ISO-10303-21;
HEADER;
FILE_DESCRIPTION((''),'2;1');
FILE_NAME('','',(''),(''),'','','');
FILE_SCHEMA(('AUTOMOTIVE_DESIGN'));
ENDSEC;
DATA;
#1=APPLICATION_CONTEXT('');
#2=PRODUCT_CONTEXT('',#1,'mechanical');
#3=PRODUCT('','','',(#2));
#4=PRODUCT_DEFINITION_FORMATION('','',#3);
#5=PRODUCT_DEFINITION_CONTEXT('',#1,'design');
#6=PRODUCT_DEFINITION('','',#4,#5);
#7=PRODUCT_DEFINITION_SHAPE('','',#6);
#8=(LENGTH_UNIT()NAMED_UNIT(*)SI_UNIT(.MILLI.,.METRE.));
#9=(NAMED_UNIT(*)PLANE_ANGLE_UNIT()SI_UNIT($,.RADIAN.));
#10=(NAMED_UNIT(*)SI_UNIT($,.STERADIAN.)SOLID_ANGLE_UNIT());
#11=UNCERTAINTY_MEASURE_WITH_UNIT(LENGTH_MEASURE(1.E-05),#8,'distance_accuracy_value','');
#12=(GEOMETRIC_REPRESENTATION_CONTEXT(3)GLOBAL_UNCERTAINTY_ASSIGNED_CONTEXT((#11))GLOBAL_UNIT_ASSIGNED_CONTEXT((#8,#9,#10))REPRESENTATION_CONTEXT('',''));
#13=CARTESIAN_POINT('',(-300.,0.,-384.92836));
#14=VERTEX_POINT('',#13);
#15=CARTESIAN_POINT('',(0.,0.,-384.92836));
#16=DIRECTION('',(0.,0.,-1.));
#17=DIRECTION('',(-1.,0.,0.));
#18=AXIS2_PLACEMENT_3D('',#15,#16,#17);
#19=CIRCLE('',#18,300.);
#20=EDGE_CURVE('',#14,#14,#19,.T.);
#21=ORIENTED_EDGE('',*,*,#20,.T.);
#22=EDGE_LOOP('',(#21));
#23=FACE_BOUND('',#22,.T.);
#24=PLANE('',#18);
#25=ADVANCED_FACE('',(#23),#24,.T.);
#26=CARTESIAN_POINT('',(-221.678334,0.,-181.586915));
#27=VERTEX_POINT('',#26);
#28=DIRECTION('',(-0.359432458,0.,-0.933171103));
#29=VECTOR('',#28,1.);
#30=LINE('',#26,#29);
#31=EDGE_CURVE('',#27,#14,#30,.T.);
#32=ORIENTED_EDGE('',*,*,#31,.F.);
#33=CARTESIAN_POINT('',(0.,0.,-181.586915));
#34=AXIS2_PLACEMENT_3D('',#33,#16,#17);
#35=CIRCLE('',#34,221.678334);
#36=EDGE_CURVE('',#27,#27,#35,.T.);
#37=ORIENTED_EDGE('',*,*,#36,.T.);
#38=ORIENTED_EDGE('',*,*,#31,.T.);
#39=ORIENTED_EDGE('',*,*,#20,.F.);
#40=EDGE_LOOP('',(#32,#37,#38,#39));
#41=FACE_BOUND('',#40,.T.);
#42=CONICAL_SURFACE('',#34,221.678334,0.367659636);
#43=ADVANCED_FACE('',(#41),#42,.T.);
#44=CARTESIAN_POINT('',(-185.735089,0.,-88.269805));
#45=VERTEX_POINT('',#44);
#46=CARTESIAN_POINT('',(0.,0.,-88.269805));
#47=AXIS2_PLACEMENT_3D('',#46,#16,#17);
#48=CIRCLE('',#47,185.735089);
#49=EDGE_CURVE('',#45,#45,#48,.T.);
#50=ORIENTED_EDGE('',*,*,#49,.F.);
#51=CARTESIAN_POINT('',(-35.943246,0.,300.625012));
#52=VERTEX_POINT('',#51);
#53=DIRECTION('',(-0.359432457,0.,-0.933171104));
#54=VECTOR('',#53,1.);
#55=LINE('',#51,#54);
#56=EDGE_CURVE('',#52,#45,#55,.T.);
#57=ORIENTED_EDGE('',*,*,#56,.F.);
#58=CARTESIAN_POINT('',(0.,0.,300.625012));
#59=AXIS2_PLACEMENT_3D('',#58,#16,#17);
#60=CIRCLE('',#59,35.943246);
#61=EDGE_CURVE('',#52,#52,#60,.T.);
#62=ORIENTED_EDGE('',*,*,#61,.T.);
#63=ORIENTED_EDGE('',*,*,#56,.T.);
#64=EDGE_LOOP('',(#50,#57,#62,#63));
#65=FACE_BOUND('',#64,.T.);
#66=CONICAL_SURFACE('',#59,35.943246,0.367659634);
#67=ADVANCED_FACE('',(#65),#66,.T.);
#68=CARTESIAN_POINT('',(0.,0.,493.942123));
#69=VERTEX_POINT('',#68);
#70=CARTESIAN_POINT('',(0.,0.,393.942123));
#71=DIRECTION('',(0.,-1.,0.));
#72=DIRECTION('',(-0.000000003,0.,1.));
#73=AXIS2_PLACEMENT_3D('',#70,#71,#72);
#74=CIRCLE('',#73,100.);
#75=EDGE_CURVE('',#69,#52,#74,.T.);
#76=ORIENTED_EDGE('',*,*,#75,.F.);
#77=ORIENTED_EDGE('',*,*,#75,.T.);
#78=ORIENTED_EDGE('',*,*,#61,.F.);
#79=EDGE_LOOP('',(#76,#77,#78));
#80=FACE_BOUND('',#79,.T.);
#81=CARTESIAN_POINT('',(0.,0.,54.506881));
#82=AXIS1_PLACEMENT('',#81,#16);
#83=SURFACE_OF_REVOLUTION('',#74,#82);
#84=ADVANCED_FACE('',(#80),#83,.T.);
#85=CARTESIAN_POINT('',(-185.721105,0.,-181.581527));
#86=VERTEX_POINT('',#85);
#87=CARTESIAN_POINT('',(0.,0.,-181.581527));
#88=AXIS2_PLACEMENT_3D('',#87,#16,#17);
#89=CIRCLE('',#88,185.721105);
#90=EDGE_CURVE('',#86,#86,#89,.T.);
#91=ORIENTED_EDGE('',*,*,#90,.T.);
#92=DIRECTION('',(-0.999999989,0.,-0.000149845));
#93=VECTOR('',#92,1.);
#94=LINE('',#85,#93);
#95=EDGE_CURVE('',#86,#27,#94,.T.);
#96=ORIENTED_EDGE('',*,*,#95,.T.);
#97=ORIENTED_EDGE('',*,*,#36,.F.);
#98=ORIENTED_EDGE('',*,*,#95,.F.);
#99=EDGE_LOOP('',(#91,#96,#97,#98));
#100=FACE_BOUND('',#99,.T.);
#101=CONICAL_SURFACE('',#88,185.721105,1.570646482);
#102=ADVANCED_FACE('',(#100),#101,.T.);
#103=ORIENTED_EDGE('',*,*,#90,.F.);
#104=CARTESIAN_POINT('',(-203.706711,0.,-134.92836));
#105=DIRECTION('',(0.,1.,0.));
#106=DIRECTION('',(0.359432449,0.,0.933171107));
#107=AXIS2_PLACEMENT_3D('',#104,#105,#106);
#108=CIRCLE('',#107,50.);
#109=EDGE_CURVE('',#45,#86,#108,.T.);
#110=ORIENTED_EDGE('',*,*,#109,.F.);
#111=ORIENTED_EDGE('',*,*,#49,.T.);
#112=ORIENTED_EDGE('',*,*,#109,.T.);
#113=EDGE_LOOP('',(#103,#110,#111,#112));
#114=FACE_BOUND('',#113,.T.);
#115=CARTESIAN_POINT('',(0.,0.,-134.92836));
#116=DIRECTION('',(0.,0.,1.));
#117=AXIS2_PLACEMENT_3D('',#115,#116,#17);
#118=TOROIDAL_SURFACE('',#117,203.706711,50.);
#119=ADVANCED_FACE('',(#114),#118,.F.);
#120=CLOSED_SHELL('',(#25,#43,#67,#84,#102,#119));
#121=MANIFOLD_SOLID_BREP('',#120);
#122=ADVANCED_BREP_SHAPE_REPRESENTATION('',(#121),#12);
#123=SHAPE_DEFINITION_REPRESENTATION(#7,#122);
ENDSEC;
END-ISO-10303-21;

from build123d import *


with BuildPart() as f1:
    # F0 (on Front) → F1 (revolve)
    with BuildSketch(Plane.XZ):
        with BuildLine():
            Line((0, 300.625012), (0, 493.942123))
            ThreePointArc((0, 493.942123), (-98.315083, 412.221742), (-35.943246, 300.625012))
            Line((-35.943246, 300.625012), (0, 300.625012))
        make_face()
        with BuildLine():
            Line((0, 300.625012), (-35.943246, 300.625012))
            Line((-35.943246, 300.625012), (-185.735089, -88.269805))
            ThreePointArc((-185.735089, -88.269805), (-153.706712, -134.920867), (-185.721105, -181.581527))
            Line((-185.721105, -181.581527), (-221.678334, -181.586915))
            Line((-221.678334, -181.586915), (-300, -384.92836))
            Line((-300, -384.92836), (0, -384.92836))
            Line((0, -384.92836), (0, -181.553695))
            Line((0, -181.553695), (0, 15.502977))
            Line((0, 15.502977), (0, 293.942123))
            Line((0, 293.942123), (0, 300.625012))
        make_face()
    revolve(axis=Axis((0, 0, 54.506881), (0, 0, -1)))


solid = f1.part
